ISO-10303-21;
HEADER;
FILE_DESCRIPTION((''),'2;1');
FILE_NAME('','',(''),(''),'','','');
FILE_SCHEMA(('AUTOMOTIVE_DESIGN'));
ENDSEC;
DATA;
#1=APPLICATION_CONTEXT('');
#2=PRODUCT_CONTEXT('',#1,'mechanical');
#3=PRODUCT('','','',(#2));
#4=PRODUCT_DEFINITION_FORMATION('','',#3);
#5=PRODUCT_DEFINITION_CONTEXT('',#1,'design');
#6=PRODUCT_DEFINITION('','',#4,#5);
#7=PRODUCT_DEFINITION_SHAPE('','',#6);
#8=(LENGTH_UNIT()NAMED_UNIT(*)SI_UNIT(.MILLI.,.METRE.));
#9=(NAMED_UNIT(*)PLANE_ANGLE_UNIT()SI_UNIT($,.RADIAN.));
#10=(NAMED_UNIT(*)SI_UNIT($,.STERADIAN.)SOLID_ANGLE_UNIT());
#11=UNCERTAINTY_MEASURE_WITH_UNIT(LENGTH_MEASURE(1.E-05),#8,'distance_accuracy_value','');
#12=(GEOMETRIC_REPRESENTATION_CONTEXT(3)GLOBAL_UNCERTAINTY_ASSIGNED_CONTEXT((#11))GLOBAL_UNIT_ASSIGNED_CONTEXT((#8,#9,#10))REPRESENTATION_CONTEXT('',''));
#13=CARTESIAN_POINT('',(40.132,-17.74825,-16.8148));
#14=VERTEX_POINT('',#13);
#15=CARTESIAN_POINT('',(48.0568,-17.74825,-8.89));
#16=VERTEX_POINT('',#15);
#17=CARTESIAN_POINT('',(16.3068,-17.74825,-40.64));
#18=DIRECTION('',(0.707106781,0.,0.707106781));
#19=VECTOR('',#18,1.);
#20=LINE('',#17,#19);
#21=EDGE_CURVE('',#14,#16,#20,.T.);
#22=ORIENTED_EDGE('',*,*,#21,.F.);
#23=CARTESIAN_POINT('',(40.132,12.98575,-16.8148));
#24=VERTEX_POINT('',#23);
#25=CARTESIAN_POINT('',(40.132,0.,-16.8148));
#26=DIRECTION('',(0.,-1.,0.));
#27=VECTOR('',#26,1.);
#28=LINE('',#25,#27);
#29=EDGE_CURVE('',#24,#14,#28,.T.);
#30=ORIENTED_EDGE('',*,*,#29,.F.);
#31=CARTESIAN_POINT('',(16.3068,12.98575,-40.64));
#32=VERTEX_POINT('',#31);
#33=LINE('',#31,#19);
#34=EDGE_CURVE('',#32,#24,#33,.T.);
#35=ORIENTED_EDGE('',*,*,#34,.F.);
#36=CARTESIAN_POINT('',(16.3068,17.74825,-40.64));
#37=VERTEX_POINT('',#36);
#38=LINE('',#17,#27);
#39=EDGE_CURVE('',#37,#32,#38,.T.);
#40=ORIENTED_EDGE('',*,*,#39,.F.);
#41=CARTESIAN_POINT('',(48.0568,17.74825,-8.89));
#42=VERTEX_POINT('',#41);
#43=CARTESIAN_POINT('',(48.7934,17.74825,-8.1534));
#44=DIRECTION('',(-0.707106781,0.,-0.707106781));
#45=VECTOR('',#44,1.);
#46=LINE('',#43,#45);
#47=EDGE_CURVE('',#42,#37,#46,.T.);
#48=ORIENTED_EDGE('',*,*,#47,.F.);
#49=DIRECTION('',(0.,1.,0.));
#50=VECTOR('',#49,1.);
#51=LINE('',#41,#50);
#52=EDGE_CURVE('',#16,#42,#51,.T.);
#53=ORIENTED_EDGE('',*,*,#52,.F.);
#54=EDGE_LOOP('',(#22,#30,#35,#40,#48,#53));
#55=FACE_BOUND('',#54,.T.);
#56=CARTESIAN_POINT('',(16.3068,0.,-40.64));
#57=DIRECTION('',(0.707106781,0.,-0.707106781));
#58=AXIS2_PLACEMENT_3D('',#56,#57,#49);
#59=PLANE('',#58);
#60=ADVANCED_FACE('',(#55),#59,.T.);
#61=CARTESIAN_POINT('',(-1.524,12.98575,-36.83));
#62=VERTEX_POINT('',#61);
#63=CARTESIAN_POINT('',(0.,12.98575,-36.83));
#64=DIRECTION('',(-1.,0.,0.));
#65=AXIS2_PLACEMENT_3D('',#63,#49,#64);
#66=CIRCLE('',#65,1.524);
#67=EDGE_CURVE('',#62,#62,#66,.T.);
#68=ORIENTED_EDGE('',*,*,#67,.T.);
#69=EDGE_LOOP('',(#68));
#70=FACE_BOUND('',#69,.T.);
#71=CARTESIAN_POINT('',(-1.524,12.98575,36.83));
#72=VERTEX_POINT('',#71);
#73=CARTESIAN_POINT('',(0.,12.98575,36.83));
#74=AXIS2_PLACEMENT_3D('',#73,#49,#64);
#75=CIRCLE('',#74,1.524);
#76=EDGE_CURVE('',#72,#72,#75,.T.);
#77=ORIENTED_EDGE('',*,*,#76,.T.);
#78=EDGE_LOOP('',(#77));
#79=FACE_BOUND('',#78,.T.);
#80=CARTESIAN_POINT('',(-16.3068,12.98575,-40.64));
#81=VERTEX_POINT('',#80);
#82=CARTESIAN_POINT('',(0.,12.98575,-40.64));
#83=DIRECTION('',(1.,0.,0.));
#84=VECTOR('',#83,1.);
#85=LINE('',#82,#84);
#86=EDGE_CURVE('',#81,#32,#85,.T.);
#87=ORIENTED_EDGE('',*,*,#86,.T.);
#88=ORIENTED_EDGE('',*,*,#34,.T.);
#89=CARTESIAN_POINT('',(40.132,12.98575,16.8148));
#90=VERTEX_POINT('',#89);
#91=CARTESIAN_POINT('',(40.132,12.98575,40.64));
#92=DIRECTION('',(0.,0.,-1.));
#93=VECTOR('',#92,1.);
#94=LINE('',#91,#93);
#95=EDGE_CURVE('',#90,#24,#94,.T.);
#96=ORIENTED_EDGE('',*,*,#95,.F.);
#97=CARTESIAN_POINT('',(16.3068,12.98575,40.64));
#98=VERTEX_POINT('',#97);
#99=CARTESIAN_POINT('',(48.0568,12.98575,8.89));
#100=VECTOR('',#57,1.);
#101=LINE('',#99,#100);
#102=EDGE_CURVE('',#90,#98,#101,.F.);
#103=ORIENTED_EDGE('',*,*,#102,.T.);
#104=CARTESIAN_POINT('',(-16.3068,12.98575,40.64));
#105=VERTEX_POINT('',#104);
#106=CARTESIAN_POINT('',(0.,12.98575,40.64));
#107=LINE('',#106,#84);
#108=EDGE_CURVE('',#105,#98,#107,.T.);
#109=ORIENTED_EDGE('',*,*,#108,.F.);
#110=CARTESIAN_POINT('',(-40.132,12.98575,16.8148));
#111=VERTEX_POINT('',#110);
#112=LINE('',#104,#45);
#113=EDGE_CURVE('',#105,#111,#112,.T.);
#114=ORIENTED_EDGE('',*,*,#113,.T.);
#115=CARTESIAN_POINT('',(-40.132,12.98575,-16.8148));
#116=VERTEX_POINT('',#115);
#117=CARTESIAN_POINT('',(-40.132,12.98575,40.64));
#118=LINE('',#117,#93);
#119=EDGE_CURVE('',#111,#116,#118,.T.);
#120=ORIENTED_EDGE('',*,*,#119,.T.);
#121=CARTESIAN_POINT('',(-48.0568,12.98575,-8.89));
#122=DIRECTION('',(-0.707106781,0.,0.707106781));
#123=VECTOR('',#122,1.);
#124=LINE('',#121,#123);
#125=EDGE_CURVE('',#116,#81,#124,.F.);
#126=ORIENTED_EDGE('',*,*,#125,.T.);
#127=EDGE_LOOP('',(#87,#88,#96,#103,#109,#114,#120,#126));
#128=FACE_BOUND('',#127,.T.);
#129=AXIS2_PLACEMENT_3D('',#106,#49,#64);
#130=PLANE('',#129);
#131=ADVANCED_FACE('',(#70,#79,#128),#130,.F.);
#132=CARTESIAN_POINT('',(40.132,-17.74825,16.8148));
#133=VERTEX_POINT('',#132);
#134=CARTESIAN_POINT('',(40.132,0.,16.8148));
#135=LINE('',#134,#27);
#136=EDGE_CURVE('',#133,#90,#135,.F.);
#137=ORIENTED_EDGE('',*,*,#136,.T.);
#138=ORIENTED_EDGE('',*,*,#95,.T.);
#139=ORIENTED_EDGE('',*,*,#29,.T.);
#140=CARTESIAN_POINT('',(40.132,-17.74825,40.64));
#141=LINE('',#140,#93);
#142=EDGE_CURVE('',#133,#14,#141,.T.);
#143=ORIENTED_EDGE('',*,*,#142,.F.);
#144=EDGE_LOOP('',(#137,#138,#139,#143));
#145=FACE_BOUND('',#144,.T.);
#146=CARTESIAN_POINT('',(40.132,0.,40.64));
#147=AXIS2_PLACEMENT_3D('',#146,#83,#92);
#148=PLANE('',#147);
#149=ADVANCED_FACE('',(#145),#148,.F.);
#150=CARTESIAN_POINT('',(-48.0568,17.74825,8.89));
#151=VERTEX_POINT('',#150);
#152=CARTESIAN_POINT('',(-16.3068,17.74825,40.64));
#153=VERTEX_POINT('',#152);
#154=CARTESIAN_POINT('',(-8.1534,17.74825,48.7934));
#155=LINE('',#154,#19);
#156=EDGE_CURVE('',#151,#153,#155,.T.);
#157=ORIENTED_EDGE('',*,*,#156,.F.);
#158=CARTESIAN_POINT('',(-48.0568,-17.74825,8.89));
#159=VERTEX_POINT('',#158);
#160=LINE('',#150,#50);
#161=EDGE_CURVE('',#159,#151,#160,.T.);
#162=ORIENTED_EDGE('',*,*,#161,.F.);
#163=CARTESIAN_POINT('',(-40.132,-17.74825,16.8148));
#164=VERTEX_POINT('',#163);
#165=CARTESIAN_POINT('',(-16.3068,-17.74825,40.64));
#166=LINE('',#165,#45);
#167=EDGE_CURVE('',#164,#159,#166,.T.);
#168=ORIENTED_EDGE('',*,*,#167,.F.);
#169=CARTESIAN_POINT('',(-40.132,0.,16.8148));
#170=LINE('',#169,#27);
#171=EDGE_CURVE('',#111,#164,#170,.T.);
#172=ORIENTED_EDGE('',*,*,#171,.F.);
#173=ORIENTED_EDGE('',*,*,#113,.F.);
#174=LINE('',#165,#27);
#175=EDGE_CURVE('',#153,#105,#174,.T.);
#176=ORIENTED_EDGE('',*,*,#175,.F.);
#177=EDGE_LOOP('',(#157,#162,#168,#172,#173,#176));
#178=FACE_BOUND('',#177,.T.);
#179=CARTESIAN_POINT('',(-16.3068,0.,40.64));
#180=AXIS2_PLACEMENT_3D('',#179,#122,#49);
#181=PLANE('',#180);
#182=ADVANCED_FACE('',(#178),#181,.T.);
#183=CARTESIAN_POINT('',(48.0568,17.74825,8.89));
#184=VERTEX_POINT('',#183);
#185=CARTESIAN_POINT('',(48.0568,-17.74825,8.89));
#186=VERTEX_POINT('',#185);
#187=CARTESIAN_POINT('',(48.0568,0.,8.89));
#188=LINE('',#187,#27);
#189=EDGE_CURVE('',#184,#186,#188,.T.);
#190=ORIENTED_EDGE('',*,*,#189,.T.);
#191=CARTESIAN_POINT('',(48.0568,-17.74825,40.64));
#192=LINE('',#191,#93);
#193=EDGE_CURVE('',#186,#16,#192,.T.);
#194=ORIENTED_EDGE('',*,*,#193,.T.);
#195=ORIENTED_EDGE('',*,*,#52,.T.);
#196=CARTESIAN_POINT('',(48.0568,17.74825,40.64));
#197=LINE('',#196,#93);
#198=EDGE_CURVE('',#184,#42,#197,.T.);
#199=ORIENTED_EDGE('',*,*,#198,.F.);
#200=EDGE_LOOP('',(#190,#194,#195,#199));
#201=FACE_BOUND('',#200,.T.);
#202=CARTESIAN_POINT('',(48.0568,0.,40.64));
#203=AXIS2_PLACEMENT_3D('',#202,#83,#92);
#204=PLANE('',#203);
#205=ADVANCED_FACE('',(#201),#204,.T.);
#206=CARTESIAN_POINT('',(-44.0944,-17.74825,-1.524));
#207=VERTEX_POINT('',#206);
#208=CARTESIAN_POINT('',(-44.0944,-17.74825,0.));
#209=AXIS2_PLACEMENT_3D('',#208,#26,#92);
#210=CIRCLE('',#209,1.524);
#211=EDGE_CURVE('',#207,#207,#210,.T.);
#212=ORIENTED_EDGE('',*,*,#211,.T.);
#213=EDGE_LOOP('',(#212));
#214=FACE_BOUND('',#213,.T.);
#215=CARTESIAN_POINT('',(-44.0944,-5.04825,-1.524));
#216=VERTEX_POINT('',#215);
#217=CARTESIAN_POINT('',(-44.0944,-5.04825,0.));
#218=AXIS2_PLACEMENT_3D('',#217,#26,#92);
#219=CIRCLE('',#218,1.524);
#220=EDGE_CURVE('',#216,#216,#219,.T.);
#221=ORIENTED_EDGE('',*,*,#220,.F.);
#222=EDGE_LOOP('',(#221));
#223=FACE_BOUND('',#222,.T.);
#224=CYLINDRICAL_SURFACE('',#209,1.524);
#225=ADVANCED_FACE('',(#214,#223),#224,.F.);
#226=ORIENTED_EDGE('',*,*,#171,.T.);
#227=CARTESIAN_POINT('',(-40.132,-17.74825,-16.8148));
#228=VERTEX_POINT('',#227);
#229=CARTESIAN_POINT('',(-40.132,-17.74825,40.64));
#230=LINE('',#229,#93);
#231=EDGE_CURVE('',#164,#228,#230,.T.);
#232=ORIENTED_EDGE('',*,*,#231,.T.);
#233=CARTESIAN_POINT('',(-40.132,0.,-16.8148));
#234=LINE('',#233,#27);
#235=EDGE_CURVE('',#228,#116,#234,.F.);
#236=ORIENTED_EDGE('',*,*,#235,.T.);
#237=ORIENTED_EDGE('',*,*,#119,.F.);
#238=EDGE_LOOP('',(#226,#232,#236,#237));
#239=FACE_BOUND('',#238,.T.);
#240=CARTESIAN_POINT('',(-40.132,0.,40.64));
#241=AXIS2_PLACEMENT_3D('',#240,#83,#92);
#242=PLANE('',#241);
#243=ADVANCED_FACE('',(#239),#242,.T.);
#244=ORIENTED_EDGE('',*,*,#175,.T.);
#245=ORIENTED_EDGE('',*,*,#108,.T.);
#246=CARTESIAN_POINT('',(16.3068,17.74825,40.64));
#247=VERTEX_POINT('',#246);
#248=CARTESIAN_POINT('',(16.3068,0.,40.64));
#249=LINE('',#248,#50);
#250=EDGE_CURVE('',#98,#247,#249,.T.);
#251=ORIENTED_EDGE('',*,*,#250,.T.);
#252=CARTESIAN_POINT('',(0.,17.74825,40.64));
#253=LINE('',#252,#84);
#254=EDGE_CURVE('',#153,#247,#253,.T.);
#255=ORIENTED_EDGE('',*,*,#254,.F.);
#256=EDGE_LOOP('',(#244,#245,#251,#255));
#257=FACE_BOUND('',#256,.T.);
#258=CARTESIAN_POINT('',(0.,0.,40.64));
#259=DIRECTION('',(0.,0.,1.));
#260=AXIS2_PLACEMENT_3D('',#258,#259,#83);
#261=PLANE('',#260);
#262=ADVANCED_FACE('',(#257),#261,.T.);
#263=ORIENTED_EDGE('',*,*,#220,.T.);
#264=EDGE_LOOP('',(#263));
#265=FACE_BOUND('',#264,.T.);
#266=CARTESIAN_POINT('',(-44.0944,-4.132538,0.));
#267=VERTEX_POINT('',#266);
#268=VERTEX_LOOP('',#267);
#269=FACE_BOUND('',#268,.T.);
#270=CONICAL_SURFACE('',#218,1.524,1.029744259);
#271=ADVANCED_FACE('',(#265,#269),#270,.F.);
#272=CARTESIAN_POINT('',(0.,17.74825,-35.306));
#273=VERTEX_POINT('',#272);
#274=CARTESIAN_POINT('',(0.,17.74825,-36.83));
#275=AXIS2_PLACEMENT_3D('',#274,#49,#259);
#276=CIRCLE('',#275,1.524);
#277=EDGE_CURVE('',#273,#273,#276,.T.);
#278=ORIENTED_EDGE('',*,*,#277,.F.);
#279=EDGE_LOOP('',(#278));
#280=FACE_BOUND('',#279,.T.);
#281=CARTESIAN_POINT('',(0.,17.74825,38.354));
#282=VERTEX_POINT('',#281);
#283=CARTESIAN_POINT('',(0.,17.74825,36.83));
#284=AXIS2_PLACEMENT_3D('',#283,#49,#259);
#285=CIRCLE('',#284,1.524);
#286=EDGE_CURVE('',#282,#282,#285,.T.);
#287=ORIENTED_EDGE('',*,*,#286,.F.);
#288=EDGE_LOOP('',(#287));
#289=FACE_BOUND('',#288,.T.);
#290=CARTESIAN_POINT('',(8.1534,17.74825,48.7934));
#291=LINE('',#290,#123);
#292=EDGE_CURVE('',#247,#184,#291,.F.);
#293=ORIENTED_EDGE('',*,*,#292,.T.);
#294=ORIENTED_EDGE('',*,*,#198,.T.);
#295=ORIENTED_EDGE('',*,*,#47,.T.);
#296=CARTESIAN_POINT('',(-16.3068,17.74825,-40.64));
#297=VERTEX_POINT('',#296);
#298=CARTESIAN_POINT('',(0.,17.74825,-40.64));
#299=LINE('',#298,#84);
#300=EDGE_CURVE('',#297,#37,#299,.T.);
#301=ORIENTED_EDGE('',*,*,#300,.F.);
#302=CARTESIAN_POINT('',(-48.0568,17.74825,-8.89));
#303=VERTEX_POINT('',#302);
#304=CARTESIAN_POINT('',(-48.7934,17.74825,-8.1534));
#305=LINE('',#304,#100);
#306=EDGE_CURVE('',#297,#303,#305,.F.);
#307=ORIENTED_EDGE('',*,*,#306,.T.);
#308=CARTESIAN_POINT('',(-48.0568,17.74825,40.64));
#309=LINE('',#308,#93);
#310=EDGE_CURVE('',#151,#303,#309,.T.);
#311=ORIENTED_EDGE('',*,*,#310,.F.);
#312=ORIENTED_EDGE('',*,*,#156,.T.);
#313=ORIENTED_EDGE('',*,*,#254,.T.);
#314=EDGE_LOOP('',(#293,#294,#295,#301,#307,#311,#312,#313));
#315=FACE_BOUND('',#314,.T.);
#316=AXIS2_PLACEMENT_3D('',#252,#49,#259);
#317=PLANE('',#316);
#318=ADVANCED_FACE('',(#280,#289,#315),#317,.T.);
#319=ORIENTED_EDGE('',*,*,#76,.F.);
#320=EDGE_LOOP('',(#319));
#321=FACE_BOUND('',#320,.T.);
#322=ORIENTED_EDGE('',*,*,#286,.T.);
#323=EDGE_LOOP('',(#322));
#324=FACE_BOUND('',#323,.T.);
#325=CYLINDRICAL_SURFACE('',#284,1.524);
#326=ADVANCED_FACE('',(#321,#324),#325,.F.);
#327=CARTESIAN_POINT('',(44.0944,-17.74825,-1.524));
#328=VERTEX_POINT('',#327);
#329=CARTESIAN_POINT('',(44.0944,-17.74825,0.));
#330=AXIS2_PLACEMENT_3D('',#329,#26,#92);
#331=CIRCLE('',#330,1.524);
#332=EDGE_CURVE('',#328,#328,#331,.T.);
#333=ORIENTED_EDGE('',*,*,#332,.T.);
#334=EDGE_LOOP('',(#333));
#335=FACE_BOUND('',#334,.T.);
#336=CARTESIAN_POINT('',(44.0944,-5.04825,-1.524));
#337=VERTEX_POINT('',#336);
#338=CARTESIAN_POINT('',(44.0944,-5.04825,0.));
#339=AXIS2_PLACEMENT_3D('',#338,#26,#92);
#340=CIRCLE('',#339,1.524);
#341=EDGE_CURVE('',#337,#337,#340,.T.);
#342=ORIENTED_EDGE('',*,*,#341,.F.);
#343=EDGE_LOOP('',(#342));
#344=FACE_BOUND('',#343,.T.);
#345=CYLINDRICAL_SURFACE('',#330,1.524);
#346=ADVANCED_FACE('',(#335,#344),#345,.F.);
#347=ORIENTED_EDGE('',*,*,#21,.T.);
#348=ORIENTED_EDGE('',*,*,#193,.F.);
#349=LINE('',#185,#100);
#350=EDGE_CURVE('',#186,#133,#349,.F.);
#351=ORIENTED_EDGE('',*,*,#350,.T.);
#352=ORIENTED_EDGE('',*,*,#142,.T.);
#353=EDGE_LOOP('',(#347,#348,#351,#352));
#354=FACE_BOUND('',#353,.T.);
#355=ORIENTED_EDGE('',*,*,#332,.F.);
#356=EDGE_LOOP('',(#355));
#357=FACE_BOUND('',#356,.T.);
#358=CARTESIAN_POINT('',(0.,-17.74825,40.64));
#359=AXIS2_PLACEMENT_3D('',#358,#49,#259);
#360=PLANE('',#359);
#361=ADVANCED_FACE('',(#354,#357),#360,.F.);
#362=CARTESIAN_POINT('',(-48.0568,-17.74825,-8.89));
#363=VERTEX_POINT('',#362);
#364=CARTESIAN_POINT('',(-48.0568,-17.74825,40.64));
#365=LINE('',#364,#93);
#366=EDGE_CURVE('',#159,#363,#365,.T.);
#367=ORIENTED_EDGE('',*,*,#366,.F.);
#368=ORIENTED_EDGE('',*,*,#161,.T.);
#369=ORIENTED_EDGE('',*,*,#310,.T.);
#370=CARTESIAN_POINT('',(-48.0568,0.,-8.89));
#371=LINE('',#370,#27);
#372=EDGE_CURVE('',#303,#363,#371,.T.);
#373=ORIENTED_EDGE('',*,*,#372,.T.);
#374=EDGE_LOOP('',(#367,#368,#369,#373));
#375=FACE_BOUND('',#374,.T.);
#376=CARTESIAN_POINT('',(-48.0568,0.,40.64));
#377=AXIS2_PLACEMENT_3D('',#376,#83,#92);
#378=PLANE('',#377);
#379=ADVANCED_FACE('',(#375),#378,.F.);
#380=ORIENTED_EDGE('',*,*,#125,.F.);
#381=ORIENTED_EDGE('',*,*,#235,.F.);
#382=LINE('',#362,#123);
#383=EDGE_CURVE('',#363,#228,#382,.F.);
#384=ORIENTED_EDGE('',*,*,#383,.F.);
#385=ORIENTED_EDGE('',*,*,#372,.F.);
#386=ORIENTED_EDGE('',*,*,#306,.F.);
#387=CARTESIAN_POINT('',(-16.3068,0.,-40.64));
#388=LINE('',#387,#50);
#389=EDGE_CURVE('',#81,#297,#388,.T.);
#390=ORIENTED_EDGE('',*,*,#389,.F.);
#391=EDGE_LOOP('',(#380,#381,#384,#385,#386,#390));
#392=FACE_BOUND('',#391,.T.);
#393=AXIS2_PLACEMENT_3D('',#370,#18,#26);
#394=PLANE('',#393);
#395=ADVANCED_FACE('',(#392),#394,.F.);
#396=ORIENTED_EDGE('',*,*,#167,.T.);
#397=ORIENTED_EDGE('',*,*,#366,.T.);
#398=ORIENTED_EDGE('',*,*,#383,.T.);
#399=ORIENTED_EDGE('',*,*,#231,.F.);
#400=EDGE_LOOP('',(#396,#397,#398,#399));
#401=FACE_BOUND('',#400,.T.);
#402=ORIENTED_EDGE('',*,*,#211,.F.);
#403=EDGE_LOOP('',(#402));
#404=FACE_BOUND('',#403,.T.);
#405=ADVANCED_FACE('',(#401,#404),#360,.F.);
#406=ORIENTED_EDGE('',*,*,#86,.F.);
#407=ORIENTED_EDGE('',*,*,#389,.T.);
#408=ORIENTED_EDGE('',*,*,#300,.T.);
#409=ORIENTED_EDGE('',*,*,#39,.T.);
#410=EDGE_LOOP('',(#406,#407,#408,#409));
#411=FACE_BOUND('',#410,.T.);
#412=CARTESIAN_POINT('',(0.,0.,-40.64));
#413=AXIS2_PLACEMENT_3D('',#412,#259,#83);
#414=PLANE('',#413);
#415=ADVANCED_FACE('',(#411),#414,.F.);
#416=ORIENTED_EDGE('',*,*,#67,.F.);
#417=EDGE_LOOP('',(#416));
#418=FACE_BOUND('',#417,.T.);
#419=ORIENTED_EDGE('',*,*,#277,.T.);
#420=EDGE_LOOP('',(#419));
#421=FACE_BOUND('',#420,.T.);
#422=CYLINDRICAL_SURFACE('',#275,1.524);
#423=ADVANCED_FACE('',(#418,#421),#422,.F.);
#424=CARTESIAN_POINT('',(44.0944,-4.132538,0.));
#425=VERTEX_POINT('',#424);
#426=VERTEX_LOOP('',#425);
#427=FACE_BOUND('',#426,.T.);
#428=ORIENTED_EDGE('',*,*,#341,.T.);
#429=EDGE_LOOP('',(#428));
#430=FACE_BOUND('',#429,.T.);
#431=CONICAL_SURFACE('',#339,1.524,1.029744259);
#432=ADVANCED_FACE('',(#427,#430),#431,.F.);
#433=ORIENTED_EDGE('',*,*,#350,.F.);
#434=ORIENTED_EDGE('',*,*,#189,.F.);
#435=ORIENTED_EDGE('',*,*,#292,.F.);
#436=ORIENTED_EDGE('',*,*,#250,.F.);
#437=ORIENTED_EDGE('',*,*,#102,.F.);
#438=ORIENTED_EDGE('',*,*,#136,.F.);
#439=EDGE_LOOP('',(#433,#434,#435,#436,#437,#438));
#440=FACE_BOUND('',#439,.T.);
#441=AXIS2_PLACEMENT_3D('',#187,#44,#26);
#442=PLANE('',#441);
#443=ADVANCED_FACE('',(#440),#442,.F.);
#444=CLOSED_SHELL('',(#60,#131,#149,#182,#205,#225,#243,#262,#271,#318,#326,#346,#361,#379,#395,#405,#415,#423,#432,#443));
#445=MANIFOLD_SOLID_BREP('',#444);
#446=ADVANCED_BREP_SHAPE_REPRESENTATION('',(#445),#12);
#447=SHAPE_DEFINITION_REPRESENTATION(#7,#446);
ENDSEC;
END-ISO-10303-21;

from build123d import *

# Parameters (mm, degrees)
BOSS_EXTRUDE1_DEPTH            = 40.64
F_31_0_12_DIAMETER_HOLE2_D     = 3.048
F_31_0_12_DIAMETER_HOLE2_DEPTH = 12.7
F_31_0_12_DIAMETER_HOLE2_TIP   = 0.915711583
F_31_0_12_DIAMETER_HOLE1_D     = 3.048
F_31_0_12_DIAMETER_HOLE1_DEPTH = 12.7
F_31_0_12_DIAMETER_HOLE1_TIP   = 0.915711583
CHAMFER1_SIZE                  = 31.75


with BuildPart() as part:
    # Sketch1 → Boss-Extrude1 (new, symmetric)
    with BuildSketch(Plane.XY):
        Polygon((48.0568, 17.74825), (-48.0568, 17.74825), (-48.0568, -17.74825), (-40.132, -17.74825), (-40.132, 12.98575), (40.132, 12.98575), (40.132, -17.74825), (48.0568, -17.74825), align=None)
    extrude(amount=BOSS_EXTRUDE1_DEPTH, both=True)

    # #31 (0.12) Diameter Hole2
    with Locations(Plane(origin=(0, -17.74825, 0), x_dir=(-1, 0, 0), z_dir=(0, -1, 0))):
        with Locations((-44.0944, 0), (44.0944, 0)):
            Hole(F_31_0_12_DIAMETER_HOLE2_D / 2, depth=F_31_0_12_DIAMETER_HOLE2_DEPTH)
            with Locations((0, 0, -(F_31_0_12_DIAMETER_HOLE2_DEPTH + F_31_0_12_DIAMETER_HOLE2_TIP / 2))):  # 118° drill point
                Cone(0, F_31_0_12_DIAMETER_HOLE2_D / 2, F_31_0_12_DIAMETER_HOLE2_TIP, mode=Mode.SUBTRACT)

    # #31 (0.12) Diameter Hole1
    with Locations(Plane(origin=(0, 17.74825, 0), x_dir=(1, 0, 0), z_dir=(0, 1, 0))):
        with Locations((0, -36.83), (0, 36.83)):
            Hole(F_31_0_12_DIAMETER_HOLE1_D / 2, depth=F_31_0_12_DIAMETER_HOLE1_DEPTH)
            with Locations((0, 0, -(F_31_0_12_DIAMETER_HOLE1_DEPTH + F_31_0_12_DIAMETER_HOLE1_TIP / 2))):  # 118° drill point
                Cone(0, F_31_0_12_DIAMETER_HOLE1_D / 2, F_31_0_12_DIAMETER_HOLE1_TIP, mode=Mode.SUBTRACT)

    # Chamfer1
    chamfer1_edges = [part.edges().sort_by_distance(p)[0] for p in [
        (-48.0568, 0, 40.64),
        (-48.0568, 0, -40.64),
        (48.0568, 0, -40.64),
        (48.0568, 0, 40.64),
    ]]
    chamfer(chamfer1_edges, length=CHAMFER1_SIZE)


solid = part.part
